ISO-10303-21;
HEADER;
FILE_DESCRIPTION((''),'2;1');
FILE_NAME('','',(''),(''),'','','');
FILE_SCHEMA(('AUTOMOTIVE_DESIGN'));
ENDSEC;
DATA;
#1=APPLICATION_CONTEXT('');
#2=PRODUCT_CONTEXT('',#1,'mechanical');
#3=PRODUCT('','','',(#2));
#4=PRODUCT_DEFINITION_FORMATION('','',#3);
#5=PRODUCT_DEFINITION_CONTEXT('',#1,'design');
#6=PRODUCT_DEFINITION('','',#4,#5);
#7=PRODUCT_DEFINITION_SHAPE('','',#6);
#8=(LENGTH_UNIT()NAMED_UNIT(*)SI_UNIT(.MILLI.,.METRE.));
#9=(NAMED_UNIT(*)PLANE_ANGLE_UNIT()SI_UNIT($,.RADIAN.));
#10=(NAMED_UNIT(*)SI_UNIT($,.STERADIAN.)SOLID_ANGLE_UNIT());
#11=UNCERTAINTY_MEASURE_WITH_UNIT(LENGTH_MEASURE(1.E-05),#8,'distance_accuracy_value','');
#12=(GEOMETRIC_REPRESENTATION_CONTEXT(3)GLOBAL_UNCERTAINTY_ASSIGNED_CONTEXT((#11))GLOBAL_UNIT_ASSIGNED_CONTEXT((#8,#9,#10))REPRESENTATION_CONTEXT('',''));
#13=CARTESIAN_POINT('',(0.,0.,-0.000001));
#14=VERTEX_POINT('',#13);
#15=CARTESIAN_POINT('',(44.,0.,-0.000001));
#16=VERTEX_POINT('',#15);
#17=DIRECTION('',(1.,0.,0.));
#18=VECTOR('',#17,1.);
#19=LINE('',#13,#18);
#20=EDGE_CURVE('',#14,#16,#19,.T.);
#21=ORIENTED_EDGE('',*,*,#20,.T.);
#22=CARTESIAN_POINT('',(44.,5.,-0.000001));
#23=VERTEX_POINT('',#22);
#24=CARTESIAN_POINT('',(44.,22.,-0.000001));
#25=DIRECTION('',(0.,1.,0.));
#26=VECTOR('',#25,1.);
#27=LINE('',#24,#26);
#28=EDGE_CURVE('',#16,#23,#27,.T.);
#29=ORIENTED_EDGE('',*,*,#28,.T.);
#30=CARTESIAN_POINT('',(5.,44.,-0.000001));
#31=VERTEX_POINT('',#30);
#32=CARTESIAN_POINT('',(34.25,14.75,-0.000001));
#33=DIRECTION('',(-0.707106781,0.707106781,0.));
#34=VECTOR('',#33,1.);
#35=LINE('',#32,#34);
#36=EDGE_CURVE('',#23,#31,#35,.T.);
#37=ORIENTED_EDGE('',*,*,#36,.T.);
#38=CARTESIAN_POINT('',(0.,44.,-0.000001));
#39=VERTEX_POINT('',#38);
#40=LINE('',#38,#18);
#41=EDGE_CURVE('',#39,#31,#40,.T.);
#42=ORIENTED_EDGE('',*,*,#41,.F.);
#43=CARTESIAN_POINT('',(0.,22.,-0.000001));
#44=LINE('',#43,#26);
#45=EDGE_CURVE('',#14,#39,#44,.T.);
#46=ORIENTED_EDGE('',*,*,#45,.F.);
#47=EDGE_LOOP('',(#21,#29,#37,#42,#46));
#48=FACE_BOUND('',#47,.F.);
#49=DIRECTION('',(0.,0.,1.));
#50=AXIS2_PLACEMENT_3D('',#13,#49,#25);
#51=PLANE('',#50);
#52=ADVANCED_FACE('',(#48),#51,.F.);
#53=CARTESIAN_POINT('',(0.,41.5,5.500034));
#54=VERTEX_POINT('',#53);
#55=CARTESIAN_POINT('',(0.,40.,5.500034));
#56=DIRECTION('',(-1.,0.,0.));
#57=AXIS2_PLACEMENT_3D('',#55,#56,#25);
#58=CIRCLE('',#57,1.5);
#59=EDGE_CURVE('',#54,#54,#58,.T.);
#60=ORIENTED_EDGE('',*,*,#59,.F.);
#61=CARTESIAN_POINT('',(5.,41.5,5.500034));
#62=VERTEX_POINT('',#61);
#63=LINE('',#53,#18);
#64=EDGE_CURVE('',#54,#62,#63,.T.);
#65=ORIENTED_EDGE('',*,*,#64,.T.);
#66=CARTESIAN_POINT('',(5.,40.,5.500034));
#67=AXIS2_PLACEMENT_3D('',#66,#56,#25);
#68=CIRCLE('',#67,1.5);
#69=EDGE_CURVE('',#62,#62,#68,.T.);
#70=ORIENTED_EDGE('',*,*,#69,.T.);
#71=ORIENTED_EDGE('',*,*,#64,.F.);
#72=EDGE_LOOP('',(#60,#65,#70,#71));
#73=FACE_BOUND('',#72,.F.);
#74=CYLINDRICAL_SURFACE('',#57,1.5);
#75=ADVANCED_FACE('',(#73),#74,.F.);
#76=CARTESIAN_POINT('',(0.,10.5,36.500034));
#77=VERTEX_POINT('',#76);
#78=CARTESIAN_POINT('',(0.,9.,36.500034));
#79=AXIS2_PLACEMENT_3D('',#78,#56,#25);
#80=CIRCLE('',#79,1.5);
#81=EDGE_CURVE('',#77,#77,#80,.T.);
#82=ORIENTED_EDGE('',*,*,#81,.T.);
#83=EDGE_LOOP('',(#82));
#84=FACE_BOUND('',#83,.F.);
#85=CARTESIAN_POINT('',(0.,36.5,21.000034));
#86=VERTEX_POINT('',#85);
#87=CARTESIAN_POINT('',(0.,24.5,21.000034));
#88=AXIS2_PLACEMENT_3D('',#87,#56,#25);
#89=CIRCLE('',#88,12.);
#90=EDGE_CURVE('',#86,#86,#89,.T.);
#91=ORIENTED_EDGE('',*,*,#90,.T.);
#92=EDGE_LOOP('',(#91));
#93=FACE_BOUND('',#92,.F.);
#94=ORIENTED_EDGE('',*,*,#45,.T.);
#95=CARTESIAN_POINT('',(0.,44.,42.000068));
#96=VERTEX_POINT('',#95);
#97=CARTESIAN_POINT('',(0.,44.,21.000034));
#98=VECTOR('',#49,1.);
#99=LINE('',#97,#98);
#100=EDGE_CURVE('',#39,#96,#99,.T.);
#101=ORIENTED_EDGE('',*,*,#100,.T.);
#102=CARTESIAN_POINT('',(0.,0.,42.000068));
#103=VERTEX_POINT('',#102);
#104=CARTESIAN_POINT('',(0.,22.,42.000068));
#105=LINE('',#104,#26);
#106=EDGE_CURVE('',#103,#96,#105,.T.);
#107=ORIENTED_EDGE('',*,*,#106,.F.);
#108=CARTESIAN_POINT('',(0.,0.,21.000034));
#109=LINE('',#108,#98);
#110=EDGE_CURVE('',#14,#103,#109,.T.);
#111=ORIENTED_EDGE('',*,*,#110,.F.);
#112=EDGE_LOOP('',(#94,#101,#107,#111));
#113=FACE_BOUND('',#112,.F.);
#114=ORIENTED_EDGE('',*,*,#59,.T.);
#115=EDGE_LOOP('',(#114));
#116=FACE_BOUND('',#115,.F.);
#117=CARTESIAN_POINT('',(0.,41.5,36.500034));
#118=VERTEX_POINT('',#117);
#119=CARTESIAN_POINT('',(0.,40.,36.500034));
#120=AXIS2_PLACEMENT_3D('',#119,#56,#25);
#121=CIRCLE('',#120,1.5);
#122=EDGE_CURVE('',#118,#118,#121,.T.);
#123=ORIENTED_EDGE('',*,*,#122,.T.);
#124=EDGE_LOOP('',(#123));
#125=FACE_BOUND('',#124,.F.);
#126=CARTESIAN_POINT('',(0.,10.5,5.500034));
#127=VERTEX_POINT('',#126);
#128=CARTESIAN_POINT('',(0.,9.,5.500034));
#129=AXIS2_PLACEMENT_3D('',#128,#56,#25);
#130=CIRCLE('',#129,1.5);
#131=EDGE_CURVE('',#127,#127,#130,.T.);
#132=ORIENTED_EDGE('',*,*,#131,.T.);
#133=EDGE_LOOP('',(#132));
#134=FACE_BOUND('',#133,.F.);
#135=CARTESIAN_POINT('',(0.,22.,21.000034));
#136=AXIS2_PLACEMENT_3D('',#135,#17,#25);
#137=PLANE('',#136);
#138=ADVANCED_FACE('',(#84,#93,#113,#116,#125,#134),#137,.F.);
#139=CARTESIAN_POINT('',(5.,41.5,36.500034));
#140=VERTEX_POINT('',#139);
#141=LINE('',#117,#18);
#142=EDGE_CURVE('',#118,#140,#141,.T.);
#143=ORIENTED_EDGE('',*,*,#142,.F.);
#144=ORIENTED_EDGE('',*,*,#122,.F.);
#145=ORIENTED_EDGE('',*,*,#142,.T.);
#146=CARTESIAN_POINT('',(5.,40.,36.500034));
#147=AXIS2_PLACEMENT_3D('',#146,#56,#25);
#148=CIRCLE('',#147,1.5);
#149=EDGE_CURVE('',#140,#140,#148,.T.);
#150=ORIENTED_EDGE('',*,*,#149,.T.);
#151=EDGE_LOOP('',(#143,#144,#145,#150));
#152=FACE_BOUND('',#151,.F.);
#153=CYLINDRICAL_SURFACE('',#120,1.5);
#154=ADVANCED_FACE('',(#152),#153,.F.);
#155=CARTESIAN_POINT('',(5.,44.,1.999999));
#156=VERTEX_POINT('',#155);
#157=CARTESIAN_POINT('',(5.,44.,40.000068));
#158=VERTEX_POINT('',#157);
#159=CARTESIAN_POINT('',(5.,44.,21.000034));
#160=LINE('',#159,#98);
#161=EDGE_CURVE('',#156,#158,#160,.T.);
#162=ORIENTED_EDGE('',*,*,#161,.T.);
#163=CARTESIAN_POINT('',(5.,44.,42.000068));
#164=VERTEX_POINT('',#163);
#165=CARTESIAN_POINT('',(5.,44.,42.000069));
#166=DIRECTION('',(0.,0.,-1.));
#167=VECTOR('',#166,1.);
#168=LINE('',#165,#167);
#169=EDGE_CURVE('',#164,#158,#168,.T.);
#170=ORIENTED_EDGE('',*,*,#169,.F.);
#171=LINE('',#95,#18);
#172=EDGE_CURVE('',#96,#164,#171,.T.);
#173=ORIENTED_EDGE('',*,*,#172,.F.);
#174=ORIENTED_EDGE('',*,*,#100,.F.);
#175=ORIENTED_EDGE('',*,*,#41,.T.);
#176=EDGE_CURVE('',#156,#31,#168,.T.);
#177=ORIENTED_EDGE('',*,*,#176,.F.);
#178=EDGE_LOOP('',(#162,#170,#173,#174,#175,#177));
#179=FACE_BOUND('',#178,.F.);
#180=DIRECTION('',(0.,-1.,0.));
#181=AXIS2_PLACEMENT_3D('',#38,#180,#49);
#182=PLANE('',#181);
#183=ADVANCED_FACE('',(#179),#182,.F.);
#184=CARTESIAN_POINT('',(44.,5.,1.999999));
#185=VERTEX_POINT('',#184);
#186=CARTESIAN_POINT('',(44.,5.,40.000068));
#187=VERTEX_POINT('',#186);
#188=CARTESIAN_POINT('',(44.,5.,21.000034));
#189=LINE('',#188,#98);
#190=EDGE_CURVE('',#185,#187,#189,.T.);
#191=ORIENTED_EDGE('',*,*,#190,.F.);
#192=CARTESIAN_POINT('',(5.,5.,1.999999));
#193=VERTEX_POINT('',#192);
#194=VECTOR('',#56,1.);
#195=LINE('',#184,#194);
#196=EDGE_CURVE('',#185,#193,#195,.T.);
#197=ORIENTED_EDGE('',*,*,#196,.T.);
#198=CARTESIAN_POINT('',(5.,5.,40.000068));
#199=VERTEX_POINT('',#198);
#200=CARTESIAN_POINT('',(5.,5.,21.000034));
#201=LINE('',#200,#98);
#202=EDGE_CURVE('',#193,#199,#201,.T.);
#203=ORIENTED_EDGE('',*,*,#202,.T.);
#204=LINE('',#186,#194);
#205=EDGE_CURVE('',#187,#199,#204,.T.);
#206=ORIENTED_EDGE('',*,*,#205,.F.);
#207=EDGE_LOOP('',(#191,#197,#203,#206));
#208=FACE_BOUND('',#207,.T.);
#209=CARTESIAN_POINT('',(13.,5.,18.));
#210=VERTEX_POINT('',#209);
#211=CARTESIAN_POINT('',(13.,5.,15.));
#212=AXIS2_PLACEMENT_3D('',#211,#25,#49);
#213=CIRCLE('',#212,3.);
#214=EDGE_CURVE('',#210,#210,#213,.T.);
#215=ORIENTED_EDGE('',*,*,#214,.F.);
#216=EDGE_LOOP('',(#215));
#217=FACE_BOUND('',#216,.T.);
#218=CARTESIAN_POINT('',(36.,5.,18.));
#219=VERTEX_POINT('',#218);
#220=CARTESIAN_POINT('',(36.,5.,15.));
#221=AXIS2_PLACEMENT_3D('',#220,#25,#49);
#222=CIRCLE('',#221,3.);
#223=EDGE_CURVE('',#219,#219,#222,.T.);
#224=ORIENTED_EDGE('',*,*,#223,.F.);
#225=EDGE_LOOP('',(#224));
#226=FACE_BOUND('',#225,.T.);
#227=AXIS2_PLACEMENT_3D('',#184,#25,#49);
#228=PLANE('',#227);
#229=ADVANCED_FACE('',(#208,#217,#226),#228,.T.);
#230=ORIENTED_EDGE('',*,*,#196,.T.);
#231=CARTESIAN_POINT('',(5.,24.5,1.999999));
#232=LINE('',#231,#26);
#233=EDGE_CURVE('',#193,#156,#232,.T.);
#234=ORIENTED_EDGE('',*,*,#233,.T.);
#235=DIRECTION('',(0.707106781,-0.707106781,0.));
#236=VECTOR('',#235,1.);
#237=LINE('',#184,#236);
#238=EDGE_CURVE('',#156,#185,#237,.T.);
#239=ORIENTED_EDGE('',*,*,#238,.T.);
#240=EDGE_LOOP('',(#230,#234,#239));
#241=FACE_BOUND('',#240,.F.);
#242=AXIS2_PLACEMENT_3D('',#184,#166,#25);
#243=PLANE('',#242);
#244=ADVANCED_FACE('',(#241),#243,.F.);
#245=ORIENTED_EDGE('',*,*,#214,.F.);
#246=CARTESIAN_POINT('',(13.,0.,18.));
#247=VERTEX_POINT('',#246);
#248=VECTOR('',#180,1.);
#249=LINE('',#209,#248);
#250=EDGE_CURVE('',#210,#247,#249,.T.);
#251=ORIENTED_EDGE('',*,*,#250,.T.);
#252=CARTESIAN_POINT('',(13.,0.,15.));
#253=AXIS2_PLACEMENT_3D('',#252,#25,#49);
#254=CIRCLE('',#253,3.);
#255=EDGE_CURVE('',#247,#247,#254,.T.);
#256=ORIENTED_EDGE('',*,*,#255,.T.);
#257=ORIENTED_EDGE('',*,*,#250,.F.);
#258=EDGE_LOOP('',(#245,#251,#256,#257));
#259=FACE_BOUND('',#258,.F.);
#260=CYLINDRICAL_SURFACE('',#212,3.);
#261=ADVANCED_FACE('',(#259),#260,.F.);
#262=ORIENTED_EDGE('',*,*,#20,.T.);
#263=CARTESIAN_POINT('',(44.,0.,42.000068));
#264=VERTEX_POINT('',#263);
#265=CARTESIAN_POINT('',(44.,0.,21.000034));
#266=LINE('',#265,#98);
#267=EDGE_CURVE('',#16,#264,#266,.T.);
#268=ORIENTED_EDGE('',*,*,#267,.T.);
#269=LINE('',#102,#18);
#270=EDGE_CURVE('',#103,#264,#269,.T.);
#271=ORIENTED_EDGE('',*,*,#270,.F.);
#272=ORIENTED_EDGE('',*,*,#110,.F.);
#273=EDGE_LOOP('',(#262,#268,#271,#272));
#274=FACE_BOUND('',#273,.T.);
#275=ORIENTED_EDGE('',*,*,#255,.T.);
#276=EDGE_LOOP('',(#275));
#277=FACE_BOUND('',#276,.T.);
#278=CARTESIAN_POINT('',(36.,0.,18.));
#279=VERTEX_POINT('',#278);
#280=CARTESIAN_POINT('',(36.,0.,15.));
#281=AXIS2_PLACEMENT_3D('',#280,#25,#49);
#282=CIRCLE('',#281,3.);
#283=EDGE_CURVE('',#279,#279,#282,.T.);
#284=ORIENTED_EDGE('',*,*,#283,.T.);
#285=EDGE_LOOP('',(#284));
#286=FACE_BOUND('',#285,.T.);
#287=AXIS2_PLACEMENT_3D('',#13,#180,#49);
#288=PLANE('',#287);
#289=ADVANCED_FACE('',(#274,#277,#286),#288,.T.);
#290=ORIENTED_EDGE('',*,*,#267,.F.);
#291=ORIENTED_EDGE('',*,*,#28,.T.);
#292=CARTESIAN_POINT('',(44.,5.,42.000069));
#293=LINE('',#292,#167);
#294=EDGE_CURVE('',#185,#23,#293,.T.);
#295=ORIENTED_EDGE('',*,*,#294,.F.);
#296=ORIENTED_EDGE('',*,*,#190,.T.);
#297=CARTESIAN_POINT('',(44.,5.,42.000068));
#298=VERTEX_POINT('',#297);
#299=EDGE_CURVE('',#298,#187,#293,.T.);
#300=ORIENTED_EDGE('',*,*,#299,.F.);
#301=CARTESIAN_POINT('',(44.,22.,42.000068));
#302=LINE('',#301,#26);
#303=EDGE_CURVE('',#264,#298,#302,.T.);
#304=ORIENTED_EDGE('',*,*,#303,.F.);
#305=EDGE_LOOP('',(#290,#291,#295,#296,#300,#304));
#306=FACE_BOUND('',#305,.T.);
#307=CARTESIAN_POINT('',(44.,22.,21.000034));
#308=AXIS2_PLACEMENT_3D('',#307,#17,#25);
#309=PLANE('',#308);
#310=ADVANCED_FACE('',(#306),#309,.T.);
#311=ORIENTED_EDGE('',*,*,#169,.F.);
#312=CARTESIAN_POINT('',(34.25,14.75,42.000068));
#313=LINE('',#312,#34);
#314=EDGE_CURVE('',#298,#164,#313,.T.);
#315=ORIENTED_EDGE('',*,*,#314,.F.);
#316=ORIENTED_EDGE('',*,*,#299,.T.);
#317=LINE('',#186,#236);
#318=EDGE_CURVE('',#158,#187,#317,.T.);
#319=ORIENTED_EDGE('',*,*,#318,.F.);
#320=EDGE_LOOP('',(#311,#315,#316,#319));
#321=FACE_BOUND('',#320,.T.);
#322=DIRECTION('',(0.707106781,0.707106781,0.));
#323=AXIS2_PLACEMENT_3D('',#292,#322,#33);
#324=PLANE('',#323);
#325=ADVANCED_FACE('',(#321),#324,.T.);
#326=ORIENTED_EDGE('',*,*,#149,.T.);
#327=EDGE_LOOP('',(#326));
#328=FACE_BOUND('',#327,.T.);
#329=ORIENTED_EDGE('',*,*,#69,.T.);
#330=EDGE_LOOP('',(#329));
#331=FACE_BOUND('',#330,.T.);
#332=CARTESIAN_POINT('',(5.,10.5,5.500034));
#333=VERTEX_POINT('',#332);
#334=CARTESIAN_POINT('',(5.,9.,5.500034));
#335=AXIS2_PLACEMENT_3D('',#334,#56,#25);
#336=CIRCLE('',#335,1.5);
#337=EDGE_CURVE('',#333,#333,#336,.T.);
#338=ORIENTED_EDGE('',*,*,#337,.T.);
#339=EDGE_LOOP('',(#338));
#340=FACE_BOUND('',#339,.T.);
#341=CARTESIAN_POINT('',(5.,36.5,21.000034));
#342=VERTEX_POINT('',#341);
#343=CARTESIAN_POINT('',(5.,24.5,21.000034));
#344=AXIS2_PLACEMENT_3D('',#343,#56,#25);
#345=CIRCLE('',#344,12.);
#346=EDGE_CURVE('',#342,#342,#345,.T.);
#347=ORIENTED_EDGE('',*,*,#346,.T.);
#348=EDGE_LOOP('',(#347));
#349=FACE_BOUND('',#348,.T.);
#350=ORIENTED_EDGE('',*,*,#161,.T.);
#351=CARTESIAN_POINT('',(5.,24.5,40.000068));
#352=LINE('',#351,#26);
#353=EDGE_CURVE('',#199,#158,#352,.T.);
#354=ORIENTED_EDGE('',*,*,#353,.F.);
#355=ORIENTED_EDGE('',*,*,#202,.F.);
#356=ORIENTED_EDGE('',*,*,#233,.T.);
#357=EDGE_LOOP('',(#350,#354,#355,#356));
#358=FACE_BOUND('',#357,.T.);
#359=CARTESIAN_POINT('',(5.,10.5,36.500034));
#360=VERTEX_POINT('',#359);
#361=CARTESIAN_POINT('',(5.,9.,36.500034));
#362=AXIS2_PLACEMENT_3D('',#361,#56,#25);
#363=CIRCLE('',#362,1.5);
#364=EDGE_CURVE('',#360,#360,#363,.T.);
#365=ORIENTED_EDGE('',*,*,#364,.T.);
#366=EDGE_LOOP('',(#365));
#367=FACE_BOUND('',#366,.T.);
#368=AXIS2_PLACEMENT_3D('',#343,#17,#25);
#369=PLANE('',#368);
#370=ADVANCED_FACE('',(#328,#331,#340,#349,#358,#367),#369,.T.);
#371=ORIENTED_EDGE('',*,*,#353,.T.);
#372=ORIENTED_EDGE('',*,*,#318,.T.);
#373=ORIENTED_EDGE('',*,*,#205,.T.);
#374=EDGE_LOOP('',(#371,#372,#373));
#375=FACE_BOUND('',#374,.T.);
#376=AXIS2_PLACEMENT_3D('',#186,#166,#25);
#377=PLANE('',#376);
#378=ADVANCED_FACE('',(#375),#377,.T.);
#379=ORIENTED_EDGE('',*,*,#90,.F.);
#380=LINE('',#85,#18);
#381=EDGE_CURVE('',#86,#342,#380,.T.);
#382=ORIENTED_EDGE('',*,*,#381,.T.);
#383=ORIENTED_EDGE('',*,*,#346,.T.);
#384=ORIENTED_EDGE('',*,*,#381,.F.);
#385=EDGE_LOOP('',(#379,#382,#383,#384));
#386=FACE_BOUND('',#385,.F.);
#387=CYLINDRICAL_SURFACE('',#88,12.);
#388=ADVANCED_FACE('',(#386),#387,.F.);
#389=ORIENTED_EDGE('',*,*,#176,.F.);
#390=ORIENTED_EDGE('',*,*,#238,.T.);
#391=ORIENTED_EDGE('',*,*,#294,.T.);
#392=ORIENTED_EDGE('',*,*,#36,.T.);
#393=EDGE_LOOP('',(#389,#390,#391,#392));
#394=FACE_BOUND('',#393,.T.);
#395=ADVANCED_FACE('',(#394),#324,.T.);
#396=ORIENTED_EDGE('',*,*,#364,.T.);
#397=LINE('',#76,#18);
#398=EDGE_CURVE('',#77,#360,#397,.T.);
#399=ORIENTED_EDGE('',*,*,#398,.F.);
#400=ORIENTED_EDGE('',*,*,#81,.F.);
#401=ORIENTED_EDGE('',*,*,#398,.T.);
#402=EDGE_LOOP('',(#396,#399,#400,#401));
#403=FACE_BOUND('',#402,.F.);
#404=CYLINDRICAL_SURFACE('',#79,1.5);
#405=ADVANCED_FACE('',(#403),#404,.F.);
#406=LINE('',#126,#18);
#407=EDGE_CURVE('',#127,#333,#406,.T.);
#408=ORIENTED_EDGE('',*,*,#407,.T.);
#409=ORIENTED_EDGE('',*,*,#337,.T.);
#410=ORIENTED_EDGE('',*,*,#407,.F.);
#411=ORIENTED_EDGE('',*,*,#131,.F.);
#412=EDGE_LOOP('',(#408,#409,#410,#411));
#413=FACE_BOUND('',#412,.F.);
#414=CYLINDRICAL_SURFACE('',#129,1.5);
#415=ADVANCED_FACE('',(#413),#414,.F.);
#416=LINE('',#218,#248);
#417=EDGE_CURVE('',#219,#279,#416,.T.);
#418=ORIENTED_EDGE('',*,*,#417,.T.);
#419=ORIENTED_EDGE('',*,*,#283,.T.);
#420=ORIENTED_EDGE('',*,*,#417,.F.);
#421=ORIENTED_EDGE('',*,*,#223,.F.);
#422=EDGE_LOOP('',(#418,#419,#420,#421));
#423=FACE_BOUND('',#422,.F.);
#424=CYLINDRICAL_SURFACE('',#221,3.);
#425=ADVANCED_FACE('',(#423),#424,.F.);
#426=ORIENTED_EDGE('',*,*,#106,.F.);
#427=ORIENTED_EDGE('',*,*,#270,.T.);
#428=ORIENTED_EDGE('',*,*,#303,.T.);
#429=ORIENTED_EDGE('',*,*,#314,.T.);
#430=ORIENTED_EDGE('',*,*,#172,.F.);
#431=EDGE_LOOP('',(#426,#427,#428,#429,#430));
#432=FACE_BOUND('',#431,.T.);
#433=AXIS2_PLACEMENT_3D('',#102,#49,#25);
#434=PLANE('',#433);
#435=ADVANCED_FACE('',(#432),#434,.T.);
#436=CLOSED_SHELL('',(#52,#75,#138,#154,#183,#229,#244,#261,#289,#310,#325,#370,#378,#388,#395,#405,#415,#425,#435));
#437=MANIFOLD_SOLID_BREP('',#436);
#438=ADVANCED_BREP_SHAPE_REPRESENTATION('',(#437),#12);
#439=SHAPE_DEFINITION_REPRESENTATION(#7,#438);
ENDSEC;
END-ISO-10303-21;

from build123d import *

# Parameters (mm, degrees)
SKETCH_W        = 44
SKETCH_H        = 42.000069
PAD_DEPTH       = 44
SKETCH001_W     = 39
SKETCH001_H     = 38.000069
POCKET_DEPTH    = 39
POCKET001_DEPTH = 42.001069
SKETCH003_R     = 1.5
SKETCH003_R_2   = 12
POCKET002_DEPTH = 44.001
SKETCH004_R     = 3
POCKET003_DEPTH = 5.001


with BuildPart() as part:
    # Sketch → Pad (new body)
    with BuildSketch(Plane.YZ):
        with Locations((22, 21.000034)):
            Rectangle(SKETCH_W, SKETCH_H)
    extrude(amount=PAD_DEPTH)

    # Sketch001 (on Face6 of Pad) → Pocket (cut)
    with BuildSketch(Plane.YZ.offset(44)):
        with Locations((24.5, 21.000034)):
            Rectangle(SKETCH001_W, SKETCH001_H)
    extrude(amount=-POCKET_DEPTH, mode=Mode.SUBTRACT)

    # Sketch002 (on Face6 of Pocket) → Pocket001 (cut, through all)
    with BuildSketch(Plane(origin=(0, 0, 42.000069), x_dir=(0, -1, 0), z_dir=(0, 0, 1))):
        Polygon((-44, 5), (-44, 44), (-5, 44), align=None)
    extrude(amount=-POCKET001_DEPTH, mode=Mode.SUBTRACT)

    # Sketch003 (on Face2 of Pocket001) → Pocket002 (cut, through all)
    with BuildSketch(Plane(origin=(0, 0, 0), x_dir=(0, 1, 0), z_dir=(-1, 0, 0))):
        with Locations((9, -5.500034)):
            Circle(SKETCH003_R)
        with Locations((40, -5.500034)):
            Circle(SKETCH003_R)
        with Locations((9, -36.500034)):
            Circle(SKETCH003_R)
        with Locations((40, -36.500034)):
            Circle(SKETCH003_R)
        with Locations((24.5, -21.000034)):
            Circle(SKETCH003_R_2)
    extrude(amount=-POCKET002_DEPTH, mode=Mode.SUBTRACT)

    # Sketch004 (on Face16 of Pocket002) → Pocket003 (cut, through all)
    with BuildSketch(Plane.ZX.offset(5)):
        with Locations((15, 36)):
            Circle(SKETCH004_R)
        with Locations((15, 13)):
            Circle(SKETCH004_R)
    extrude(amount=-POCKET003_DEPTH, mode=Mode.SUBTRACT)


solid = part.part
